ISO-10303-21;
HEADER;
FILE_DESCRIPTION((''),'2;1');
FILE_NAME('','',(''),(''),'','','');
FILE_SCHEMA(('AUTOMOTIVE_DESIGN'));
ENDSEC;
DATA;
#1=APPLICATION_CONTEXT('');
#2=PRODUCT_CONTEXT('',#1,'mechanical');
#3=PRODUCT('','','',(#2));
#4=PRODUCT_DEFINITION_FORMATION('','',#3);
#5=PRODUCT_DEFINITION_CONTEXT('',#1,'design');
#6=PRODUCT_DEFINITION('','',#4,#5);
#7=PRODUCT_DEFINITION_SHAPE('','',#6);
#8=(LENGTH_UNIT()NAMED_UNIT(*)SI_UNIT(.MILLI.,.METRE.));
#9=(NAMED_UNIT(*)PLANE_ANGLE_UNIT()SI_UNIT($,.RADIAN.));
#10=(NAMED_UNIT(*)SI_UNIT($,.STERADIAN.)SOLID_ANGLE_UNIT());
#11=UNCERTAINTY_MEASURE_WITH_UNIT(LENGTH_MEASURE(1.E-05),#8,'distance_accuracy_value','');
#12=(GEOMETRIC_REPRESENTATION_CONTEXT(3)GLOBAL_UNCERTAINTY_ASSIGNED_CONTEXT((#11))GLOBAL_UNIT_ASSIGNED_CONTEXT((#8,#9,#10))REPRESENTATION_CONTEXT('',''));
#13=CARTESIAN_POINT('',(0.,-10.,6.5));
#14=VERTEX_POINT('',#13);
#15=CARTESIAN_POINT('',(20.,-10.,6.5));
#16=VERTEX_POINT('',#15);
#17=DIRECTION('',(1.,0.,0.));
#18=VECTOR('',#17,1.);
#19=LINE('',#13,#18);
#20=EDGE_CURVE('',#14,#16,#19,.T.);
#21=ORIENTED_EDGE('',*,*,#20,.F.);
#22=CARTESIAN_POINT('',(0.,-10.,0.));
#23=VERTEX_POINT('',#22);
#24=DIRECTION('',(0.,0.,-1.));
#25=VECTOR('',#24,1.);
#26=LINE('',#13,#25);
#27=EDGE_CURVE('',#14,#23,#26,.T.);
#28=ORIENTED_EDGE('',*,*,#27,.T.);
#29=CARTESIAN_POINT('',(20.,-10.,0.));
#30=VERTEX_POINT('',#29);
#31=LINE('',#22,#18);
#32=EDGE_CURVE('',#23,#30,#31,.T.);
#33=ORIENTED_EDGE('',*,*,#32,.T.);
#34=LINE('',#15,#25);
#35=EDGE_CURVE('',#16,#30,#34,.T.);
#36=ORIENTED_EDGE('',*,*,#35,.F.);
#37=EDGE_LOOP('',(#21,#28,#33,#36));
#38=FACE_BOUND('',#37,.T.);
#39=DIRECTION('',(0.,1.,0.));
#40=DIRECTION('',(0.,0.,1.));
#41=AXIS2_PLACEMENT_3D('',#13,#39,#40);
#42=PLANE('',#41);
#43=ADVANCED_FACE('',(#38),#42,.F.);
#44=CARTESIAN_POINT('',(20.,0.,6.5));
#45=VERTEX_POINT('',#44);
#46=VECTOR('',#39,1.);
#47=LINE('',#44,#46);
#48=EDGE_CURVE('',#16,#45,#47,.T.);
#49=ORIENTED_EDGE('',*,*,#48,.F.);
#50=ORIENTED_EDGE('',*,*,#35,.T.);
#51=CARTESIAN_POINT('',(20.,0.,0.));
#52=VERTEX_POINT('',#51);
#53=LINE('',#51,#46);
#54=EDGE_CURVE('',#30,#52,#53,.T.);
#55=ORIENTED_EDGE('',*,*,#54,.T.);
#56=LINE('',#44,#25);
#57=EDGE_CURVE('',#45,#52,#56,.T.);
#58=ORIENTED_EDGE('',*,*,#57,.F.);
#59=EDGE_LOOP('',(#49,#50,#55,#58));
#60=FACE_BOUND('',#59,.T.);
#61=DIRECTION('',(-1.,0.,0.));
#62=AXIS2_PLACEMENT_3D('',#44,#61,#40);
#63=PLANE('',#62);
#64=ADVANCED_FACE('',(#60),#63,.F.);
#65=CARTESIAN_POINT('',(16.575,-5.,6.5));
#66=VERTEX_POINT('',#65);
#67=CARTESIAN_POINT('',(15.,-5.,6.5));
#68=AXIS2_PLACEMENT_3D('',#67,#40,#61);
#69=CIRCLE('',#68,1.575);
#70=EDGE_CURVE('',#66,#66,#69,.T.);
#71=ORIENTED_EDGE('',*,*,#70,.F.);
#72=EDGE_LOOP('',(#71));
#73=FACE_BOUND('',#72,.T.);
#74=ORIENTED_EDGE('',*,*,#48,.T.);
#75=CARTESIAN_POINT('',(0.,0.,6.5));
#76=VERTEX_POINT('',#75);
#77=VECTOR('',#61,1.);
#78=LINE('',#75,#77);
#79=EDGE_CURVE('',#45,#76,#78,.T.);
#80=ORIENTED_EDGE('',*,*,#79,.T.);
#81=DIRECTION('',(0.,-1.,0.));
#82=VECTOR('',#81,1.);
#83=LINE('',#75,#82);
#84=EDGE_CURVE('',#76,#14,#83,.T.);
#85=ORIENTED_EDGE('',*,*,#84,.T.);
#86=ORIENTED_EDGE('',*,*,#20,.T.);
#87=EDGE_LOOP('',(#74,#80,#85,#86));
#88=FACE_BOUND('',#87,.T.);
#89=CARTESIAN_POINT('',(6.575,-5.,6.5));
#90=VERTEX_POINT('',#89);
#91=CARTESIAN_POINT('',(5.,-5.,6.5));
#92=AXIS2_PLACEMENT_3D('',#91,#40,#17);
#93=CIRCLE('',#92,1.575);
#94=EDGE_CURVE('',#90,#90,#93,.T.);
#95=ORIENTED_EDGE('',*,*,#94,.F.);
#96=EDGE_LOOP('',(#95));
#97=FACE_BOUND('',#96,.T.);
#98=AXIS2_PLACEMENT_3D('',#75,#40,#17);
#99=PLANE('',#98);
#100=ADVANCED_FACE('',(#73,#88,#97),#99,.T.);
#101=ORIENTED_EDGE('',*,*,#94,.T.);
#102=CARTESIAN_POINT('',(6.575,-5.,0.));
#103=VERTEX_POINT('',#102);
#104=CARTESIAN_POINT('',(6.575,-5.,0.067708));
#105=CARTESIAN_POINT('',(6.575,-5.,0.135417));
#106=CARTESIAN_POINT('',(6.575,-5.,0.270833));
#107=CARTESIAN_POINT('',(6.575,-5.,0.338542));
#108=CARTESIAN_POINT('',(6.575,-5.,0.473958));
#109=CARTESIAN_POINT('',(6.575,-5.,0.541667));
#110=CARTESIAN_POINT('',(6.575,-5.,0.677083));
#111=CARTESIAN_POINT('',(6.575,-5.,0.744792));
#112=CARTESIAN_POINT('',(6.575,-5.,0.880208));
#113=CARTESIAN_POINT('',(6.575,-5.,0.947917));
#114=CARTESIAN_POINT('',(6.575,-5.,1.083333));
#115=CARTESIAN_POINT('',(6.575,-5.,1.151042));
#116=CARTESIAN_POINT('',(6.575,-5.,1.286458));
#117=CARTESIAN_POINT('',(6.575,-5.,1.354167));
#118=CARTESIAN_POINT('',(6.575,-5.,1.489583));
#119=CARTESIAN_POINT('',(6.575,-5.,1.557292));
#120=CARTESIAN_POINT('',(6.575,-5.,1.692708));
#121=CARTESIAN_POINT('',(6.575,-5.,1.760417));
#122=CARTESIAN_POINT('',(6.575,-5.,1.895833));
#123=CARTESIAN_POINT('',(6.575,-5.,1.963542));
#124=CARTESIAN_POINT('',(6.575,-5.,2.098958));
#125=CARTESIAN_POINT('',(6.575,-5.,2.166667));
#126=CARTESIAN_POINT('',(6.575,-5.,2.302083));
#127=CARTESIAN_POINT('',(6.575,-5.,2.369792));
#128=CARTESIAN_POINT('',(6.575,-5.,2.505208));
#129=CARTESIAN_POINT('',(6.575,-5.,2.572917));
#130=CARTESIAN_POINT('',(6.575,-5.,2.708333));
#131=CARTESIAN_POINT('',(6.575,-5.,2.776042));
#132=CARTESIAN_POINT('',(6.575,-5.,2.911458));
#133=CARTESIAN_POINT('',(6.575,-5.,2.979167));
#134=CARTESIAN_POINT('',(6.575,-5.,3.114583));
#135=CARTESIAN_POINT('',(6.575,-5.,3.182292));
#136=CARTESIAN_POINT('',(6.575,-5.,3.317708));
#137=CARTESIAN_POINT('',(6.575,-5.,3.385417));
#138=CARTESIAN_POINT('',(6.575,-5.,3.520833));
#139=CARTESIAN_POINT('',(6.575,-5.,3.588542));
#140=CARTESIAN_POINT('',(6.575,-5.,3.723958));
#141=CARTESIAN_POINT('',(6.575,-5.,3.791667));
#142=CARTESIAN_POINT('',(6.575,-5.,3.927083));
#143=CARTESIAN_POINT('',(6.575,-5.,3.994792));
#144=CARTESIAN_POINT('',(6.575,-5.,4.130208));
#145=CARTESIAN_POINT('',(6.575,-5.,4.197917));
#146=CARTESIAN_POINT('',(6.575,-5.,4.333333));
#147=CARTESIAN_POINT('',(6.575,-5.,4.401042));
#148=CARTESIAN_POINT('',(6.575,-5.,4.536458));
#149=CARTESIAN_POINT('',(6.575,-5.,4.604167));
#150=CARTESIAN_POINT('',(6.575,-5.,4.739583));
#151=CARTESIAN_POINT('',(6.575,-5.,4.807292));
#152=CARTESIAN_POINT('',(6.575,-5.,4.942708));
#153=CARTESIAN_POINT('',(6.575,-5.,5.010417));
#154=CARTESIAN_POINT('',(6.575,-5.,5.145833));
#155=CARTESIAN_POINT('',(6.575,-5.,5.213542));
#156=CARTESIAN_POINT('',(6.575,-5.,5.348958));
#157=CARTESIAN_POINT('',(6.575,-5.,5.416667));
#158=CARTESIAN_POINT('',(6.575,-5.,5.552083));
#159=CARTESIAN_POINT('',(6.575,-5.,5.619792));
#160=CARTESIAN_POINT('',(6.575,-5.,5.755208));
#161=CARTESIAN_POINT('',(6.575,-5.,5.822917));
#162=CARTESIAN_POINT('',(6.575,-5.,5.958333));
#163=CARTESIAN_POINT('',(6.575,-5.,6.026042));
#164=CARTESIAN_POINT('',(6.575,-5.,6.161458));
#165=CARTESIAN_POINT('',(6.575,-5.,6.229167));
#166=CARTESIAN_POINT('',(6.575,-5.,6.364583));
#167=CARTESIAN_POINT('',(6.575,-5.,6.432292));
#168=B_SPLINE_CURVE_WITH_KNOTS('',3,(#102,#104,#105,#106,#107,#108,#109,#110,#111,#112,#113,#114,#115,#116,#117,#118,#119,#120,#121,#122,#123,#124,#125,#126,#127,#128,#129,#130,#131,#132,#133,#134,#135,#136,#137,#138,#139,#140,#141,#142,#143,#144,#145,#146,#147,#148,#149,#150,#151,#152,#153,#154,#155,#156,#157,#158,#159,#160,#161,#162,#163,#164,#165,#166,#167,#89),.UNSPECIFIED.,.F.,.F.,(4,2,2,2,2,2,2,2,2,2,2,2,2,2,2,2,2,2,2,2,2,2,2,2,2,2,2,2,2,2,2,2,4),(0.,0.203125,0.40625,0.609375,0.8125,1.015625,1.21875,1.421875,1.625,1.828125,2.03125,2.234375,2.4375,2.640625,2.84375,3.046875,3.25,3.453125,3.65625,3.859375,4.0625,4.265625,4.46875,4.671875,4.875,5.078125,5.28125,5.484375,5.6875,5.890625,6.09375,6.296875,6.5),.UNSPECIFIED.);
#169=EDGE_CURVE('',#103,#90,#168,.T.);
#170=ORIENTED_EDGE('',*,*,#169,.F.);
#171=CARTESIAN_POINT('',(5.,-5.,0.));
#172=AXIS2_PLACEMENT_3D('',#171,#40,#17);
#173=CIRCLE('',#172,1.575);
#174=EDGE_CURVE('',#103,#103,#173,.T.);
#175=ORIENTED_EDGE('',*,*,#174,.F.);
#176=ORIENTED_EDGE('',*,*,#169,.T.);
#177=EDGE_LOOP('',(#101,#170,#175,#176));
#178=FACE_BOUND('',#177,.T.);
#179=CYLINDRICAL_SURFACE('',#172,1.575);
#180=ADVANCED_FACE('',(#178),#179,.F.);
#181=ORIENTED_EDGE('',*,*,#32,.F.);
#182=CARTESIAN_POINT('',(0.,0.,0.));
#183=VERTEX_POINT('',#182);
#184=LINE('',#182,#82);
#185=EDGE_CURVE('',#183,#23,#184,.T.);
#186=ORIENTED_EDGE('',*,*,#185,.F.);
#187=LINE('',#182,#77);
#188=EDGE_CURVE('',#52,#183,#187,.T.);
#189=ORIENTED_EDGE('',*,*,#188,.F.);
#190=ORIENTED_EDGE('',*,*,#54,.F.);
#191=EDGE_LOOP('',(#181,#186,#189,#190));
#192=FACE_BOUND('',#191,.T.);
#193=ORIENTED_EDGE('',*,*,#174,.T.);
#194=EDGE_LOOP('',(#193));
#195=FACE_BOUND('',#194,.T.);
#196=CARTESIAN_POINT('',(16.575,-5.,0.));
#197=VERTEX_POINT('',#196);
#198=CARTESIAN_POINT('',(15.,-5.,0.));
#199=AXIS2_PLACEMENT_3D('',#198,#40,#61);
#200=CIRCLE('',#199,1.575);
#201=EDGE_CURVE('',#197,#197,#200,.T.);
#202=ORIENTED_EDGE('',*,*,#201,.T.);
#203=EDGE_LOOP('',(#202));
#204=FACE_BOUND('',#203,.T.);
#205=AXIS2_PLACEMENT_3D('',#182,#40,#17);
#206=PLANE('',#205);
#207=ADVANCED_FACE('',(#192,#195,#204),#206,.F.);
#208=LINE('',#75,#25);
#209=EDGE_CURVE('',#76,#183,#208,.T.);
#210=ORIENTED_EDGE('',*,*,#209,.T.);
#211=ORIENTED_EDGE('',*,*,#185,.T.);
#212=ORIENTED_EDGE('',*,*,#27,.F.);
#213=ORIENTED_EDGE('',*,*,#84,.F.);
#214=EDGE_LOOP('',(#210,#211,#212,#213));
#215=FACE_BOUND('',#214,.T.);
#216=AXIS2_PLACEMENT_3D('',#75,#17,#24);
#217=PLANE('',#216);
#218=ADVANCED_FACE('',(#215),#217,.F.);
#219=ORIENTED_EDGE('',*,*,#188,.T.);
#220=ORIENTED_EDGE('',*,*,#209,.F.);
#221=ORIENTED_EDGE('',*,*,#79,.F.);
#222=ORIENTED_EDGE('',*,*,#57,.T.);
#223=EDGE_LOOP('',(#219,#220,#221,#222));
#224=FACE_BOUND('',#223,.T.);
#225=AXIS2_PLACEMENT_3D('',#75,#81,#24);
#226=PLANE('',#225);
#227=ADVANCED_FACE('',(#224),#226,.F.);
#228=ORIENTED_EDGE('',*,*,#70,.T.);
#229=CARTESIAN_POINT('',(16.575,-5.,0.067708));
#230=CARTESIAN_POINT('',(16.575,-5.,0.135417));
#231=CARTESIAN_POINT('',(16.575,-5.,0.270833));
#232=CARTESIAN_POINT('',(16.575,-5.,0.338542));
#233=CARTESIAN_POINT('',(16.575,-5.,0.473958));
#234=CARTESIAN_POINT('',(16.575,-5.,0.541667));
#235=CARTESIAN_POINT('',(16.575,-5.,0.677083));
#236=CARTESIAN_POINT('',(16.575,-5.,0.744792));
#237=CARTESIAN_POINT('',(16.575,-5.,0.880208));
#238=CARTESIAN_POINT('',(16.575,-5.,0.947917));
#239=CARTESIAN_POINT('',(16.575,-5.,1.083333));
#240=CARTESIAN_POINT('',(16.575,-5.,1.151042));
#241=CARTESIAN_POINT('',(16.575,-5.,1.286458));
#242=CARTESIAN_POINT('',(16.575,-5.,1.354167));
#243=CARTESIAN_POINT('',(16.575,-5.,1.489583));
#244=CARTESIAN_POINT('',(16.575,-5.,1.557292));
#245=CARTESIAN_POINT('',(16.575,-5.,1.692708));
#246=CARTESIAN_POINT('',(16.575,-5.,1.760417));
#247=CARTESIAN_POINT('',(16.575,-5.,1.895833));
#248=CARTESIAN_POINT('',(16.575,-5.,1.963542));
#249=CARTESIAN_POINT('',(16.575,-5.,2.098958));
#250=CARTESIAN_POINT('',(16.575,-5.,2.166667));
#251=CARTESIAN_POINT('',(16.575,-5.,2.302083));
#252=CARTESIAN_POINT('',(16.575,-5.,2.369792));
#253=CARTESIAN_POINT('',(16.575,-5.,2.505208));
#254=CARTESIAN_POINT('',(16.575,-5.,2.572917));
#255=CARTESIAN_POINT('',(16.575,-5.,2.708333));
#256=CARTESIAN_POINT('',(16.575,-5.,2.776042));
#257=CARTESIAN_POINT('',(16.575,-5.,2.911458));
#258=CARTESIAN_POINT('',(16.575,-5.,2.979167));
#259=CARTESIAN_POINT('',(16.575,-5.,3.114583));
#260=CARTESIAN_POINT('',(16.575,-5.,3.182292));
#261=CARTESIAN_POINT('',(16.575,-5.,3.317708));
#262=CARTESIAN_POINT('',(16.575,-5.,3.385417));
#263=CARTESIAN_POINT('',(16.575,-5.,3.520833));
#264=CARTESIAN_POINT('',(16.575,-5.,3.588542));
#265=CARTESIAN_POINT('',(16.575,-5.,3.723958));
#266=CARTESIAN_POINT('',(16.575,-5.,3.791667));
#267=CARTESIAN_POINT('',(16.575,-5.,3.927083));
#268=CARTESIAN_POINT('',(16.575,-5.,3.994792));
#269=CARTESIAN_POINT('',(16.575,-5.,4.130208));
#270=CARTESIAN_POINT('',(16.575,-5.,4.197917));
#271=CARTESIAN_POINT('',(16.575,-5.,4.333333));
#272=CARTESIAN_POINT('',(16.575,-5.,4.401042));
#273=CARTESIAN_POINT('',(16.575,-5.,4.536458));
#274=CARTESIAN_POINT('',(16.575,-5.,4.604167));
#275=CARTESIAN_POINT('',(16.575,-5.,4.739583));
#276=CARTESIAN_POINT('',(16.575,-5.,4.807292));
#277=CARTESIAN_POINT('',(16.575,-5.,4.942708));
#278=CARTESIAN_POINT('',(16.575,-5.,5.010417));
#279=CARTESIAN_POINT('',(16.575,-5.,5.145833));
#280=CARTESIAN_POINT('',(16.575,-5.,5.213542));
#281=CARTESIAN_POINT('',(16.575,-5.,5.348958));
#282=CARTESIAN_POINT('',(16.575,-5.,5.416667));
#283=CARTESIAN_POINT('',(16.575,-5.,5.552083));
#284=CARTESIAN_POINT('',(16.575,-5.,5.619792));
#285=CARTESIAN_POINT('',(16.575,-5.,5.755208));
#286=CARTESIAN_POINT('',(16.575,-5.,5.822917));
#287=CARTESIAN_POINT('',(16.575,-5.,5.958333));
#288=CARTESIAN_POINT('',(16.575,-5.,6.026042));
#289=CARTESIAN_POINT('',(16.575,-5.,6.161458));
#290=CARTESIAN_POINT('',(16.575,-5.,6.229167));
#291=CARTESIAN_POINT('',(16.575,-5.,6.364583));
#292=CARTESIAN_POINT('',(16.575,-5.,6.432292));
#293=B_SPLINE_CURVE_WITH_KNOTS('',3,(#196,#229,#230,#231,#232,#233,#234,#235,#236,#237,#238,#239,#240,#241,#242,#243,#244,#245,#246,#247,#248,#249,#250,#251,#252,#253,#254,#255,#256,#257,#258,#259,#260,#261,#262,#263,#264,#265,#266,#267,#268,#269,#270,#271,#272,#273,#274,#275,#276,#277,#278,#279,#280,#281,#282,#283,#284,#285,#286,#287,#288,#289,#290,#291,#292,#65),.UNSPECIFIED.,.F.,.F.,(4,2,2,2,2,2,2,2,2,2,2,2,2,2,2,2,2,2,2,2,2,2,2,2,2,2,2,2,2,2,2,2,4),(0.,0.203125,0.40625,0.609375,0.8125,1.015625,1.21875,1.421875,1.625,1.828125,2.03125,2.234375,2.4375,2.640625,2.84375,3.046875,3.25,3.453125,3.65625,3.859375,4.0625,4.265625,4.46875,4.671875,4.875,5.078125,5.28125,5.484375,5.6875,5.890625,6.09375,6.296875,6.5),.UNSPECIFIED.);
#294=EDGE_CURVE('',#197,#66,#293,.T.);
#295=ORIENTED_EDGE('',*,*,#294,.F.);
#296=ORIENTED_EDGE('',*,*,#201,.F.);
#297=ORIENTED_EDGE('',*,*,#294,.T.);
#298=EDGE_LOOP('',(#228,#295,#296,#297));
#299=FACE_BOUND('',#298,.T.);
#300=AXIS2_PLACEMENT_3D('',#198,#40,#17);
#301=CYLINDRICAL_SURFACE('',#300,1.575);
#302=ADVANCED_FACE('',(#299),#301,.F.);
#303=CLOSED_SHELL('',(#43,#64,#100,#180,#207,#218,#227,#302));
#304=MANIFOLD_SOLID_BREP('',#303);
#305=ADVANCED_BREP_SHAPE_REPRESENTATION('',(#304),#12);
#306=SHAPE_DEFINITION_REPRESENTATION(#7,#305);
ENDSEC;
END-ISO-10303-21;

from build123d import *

# Parameters (mm, degrees)
SKETCH_1_W          = 20
SKETCH_1_H          = 10
EXTRUDE_1_DEPTH     = 6.5
SKETCH_2_R          = 1.575
CUT_EXTRUDE_1_DEPTH = 24.286262044


with BuildPart() as part:
    # 草图1 → 凸台-拉伸1 (new body)
    with BuildSketch(Plane.XY):
        with Locations((10, -5)):
            Rectangle(SKETCH_1_W, SKETCH_1_H)
    extrude(amount=EXTRUDE_1_DEPTH)

    # 草图2 → 切除-拉伸1 (cut, through all)
    with BuildSketch(Plane.XY.offset(6.5)):
        with Locations((5, -5)):
            Circle(SKETCH_2_R)
        with Locations((15, -5)):
            Circle(SKETCH_2_R)
    extrude(amount=-CUT_EXTRUDE_1_DEPTH, mode=Mode.SUBTRACT)


solid = part.part
